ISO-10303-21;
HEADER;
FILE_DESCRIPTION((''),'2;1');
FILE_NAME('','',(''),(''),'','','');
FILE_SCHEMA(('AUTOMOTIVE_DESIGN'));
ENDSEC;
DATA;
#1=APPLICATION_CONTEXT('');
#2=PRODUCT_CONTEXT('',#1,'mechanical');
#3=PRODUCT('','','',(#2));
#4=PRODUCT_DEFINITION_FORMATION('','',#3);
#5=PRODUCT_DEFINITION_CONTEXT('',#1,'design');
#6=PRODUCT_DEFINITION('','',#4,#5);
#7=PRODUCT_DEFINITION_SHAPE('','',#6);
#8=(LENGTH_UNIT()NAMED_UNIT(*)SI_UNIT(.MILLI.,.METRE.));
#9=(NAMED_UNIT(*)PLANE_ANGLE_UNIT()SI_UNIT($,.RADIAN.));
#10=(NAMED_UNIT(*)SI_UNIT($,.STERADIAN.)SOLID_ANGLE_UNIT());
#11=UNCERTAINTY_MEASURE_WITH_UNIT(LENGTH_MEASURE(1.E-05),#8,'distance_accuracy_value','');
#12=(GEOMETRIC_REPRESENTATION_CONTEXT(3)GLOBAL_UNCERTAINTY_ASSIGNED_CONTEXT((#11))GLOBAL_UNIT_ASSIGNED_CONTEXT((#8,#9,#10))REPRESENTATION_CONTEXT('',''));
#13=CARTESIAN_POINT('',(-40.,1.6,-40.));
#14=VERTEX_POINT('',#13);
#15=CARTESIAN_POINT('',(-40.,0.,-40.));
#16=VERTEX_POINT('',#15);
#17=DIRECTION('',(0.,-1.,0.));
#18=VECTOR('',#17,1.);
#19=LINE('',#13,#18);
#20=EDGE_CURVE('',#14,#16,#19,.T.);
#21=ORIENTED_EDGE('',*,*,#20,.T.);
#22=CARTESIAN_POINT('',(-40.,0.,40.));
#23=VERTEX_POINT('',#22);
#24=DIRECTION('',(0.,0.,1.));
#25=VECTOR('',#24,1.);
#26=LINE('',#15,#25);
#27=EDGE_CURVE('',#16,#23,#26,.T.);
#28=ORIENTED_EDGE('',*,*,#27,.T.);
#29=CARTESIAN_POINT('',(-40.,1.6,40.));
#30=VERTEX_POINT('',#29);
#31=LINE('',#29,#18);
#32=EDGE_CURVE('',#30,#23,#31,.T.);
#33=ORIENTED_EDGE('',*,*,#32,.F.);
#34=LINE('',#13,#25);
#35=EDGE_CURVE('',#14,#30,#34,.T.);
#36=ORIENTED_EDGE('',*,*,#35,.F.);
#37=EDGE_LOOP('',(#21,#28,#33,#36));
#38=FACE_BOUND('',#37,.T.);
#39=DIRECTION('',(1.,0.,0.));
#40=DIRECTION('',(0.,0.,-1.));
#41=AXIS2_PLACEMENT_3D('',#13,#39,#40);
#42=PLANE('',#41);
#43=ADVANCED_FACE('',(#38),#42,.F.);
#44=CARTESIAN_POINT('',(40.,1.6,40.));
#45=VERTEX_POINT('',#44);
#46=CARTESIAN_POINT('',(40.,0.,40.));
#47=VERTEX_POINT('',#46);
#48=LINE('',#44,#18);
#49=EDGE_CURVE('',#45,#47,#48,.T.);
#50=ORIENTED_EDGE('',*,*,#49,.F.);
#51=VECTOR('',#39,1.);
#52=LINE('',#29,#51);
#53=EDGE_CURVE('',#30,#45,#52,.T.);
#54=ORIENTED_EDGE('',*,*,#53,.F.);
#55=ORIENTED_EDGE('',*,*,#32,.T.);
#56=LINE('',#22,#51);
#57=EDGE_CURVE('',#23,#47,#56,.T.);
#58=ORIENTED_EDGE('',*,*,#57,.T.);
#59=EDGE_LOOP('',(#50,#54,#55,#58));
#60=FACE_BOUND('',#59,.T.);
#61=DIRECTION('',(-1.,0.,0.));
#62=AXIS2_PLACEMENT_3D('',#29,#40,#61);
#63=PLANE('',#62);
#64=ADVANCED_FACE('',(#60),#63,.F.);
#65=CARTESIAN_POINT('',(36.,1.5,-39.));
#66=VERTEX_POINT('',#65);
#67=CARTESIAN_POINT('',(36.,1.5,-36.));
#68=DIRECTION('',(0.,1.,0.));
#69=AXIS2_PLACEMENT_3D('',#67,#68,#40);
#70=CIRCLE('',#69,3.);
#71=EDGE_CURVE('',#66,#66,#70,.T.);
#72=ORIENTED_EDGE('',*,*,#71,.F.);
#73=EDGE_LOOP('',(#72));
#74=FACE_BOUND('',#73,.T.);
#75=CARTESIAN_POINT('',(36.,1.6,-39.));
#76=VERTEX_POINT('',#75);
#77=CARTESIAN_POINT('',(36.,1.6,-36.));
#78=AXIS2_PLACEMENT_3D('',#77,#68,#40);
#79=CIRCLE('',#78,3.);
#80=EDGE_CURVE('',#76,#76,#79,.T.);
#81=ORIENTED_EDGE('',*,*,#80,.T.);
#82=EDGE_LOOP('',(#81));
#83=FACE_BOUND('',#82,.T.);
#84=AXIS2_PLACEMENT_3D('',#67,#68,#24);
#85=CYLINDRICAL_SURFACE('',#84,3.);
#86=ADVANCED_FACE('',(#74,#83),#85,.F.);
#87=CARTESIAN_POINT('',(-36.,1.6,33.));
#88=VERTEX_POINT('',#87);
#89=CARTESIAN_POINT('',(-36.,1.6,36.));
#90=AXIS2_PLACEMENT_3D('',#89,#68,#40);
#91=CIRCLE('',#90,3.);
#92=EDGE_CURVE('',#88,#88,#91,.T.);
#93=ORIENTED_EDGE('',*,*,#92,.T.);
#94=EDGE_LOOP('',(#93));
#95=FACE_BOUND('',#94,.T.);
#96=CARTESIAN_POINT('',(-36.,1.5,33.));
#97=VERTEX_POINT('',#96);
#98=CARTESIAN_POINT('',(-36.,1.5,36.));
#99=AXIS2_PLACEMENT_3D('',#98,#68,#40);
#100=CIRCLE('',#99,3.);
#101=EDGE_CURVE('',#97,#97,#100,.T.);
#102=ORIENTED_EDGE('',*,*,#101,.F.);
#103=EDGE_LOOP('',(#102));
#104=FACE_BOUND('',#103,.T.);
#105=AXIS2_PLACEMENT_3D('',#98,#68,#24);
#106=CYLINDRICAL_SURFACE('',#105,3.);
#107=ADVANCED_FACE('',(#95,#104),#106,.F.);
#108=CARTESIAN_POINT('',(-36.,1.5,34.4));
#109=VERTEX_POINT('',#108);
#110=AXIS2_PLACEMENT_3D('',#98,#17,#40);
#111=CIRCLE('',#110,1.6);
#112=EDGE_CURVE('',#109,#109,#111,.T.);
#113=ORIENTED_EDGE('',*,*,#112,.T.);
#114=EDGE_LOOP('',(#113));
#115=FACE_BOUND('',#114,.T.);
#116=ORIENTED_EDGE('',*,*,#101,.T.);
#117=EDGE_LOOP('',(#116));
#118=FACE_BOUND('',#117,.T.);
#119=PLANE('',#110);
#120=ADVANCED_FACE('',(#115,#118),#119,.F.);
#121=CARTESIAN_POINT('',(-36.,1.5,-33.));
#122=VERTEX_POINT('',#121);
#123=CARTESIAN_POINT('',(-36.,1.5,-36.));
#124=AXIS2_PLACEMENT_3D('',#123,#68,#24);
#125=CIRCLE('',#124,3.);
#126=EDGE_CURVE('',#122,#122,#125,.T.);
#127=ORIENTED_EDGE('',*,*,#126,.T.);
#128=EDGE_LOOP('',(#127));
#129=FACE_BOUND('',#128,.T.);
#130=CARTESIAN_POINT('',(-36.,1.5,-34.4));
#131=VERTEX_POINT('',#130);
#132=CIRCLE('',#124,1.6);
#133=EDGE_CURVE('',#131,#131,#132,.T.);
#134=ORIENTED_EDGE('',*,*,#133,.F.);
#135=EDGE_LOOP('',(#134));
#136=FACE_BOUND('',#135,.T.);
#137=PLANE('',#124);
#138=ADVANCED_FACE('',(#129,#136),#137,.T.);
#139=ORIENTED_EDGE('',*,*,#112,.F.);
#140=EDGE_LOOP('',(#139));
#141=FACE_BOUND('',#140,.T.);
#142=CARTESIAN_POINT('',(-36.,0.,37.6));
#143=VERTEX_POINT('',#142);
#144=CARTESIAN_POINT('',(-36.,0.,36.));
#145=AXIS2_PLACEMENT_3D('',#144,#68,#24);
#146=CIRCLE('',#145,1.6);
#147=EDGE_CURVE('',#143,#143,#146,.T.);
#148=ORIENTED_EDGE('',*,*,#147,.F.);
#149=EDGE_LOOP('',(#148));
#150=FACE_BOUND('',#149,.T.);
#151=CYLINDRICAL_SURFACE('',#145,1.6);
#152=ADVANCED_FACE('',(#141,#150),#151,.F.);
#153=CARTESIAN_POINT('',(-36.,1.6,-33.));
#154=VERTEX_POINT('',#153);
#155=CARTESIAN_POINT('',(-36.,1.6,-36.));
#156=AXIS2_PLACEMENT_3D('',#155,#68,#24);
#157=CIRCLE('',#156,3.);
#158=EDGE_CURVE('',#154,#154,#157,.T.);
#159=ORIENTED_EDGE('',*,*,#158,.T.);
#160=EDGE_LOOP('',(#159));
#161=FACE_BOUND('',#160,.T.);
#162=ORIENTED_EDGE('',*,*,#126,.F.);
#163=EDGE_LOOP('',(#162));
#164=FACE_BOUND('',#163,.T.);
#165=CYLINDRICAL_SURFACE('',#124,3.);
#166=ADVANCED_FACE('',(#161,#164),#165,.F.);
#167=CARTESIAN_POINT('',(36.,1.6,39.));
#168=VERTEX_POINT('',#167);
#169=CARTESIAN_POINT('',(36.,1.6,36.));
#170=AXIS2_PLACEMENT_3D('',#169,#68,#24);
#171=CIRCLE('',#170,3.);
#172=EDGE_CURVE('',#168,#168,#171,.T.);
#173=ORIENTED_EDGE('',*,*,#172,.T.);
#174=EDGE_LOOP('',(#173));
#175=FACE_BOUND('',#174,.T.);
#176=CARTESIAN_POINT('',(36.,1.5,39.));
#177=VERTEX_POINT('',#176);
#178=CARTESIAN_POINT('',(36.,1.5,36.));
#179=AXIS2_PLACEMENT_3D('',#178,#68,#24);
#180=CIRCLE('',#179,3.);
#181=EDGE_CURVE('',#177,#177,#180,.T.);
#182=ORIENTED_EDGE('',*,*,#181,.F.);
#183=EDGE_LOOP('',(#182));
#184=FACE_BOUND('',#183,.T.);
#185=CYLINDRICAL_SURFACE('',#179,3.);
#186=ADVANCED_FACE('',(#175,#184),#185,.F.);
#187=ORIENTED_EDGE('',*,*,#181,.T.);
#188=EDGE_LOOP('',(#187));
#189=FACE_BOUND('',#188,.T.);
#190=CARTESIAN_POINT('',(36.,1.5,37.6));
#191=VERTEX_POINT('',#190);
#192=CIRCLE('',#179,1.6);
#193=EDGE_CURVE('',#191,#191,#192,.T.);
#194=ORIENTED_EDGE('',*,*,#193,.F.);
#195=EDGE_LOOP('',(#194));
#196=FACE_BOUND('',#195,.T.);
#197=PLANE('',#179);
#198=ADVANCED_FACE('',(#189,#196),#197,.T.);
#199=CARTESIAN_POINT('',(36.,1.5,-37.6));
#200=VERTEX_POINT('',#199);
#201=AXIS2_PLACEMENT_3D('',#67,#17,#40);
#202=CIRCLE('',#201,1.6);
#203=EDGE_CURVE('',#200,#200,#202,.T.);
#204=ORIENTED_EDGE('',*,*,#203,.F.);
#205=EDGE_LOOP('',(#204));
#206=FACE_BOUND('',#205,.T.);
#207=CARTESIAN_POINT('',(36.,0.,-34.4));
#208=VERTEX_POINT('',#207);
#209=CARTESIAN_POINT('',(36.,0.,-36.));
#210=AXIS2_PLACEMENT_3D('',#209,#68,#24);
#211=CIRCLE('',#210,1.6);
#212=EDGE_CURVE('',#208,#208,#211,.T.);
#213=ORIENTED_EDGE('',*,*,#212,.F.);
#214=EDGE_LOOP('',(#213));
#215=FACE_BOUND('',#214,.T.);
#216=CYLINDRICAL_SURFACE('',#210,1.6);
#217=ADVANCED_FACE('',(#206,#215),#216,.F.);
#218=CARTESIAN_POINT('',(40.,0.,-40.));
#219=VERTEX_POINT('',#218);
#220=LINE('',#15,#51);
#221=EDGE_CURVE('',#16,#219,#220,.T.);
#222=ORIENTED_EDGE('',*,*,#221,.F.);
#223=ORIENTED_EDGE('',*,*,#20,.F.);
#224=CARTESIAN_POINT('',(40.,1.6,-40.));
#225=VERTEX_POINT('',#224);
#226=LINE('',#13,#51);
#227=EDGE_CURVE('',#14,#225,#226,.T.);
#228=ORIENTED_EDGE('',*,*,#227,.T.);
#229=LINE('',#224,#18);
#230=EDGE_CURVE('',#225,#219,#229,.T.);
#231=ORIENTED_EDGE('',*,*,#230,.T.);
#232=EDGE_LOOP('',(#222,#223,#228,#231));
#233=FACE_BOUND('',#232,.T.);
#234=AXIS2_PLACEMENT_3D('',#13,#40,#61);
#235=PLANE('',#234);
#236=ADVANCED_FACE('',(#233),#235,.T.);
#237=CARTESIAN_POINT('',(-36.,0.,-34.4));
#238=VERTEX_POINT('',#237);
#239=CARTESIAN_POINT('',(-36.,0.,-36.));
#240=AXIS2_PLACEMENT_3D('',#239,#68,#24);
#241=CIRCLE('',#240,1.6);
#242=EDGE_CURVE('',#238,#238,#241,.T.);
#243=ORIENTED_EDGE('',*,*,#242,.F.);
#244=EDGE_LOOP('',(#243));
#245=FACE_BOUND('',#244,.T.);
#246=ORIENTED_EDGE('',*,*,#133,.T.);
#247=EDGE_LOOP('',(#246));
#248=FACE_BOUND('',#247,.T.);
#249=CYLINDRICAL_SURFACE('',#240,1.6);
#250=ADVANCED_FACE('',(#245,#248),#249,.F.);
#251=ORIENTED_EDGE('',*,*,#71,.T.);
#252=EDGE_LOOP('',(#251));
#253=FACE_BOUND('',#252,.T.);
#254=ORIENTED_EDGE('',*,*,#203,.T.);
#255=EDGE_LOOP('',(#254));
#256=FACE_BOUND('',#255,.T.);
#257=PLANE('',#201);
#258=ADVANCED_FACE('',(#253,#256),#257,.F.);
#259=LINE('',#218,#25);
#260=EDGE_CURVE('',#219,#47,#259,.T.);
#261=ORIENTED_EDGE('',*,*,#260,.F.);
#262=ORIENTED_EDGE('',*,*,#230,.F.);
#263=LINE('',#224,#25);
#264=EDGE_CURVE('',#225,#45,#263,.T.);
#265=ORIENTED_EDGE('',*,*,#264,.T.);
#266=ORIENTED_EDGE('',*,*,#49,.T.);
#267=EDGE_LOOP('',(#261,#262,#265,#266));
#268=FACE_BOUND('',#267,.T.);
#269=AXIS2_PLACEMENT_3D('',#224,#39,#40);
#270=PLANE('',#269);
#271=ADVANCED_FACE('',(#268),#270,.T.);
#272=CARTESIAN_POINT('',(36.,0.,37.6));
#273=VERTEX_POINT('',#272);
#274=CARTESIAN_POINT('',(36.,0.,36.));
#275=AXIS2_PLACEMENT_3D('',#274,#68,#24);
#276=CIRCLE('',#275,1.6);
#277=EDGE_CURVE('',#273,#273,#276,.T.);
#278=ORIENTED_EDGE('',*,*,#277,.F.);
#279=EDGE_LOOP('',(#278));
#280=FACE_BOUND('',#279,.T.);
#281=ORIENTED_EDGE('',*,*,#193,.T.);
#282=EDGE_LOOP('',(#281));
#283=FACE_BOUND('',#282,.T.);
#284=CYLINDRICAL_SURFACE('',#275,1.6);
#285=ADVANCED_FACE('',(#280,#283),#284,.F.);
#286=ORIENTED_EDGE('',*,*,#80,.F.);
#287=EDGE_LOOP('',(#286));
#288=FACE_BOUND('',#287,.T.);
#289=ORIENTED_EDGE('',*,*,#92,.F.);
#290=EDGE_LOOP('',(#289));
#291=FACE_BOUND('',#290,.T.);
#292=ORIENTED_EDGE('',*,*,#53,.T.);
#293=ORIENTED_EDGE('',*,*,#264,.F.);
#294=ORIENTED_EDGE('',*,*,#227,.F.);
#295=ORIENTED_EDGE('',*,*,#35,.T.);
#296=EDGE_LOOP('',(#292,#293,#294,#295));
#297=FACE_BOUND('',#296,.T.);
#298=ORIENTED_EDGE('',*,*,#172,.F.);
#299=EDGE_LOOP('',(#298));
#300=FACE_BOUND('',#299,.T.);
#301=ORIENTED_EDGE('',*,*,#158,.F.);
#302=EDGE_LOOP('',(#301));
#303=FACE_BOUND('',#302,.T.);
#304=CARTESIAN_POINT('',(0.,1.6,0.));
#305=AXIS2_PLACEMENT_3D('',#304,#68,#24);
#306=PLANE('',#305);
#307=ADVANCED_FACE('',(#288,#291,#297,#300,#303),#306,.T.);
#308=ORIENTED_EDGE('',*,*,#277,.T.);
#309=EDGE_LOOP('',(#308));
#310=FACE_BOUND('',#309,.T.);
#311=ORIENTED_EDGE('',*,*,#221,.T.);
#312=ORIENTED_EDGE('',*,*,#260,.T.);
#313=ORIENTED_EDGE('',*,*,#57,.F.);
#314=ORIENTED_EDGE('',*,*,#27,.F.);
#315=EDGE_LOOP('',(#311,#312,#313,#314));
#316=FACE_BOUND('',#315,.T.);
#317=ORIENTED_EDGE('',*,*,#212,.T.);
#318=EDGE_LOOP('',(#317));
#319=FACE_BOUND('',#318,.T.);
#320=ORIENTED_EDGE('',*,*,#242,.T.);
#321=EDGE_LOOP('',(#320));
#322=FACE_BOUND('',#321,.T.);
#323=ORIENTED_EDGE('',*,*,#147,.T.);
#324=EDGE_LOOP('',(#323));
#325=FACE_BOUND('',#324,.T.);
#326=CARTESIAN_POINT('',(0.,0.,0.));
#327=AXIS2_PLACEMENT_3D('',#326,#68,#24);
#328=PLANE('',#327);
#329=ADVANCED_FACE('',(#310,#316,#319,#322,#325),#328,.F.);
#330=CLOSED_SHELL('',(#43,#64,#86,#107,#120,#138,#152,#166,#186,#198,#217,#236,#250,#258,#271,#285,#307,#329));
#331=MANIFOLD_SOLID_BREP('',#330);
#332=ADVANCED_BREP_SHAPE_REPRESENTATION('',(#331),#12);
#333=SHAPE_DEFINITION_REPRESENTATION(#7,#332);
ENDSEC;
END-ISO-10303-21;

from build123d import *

# Parameters (mm, degrees)
SKETCH1_W           = 80
SKETCH1_H           = 80
BOSS_EXTRUDE1_DEPTH = 1.6
SKETCH5_R           = 3
CUT_EXTRUDE1_DEPTH  = 0.1
SKETCH6_R           = 1.6
CUT_EXTRUDE2_DEPTH  = 1.6


with BuildPart() as part:
    # Sketch1 → Boss-Extrude1 (new body)
    with BuildSketch(Plane(origin=(0, 0, 0), x_dir=(1, 0, 0), z_dir=(0, 1, 0))):
        Rectangle(SKETCH1_W, SKETCH1_H)
    extrude(amount=BOSS_EXTRUDE1_DEPTH)

    # Sketch5 → Cut-Extrude1 (cut)
    with BuildSketch(Plane(origin=(0, 1.6, 0), x_dir=(1, 0, 0), z_dir=(0, 1, 0))):
        with Locations((-36, 36)):
            Circle(SKETCH5_R)
        with Locations((36, 36)):
            Circle(SKETCH5_R)
        with Locations((36, -36)):
            Circle(SKETCH5_R)
        with Locations((-36, -36)):
            Circle(SKETCH5_R)
    extrude(amount=-CUT_EXTRUDE1_DEPTH, mode=Mode.SUBTRACT)

    # Sketch6 → Cut-Extrude2 (cut)
    with BuildSketch(Plane(origin=(0, 1.6, 0), x_dir=(1, 0, 0), z_dir=(0, 1, 0))):
        with Locations((-36, 36)):
            Circle(SKETCH6_R)
        with Locations((36, 36)):
            Circle(SKETCH6_R)
        with Locations((36, -36)):
            Circle(SKETCH6_R)
        with Locations((-36, -36)):
            Circle(SKETCH6_R)
    extrude(amount=-CUT_EXTRUDE2_DEPTH, mode=Mode.SUBTRACT)


solid = part.part
